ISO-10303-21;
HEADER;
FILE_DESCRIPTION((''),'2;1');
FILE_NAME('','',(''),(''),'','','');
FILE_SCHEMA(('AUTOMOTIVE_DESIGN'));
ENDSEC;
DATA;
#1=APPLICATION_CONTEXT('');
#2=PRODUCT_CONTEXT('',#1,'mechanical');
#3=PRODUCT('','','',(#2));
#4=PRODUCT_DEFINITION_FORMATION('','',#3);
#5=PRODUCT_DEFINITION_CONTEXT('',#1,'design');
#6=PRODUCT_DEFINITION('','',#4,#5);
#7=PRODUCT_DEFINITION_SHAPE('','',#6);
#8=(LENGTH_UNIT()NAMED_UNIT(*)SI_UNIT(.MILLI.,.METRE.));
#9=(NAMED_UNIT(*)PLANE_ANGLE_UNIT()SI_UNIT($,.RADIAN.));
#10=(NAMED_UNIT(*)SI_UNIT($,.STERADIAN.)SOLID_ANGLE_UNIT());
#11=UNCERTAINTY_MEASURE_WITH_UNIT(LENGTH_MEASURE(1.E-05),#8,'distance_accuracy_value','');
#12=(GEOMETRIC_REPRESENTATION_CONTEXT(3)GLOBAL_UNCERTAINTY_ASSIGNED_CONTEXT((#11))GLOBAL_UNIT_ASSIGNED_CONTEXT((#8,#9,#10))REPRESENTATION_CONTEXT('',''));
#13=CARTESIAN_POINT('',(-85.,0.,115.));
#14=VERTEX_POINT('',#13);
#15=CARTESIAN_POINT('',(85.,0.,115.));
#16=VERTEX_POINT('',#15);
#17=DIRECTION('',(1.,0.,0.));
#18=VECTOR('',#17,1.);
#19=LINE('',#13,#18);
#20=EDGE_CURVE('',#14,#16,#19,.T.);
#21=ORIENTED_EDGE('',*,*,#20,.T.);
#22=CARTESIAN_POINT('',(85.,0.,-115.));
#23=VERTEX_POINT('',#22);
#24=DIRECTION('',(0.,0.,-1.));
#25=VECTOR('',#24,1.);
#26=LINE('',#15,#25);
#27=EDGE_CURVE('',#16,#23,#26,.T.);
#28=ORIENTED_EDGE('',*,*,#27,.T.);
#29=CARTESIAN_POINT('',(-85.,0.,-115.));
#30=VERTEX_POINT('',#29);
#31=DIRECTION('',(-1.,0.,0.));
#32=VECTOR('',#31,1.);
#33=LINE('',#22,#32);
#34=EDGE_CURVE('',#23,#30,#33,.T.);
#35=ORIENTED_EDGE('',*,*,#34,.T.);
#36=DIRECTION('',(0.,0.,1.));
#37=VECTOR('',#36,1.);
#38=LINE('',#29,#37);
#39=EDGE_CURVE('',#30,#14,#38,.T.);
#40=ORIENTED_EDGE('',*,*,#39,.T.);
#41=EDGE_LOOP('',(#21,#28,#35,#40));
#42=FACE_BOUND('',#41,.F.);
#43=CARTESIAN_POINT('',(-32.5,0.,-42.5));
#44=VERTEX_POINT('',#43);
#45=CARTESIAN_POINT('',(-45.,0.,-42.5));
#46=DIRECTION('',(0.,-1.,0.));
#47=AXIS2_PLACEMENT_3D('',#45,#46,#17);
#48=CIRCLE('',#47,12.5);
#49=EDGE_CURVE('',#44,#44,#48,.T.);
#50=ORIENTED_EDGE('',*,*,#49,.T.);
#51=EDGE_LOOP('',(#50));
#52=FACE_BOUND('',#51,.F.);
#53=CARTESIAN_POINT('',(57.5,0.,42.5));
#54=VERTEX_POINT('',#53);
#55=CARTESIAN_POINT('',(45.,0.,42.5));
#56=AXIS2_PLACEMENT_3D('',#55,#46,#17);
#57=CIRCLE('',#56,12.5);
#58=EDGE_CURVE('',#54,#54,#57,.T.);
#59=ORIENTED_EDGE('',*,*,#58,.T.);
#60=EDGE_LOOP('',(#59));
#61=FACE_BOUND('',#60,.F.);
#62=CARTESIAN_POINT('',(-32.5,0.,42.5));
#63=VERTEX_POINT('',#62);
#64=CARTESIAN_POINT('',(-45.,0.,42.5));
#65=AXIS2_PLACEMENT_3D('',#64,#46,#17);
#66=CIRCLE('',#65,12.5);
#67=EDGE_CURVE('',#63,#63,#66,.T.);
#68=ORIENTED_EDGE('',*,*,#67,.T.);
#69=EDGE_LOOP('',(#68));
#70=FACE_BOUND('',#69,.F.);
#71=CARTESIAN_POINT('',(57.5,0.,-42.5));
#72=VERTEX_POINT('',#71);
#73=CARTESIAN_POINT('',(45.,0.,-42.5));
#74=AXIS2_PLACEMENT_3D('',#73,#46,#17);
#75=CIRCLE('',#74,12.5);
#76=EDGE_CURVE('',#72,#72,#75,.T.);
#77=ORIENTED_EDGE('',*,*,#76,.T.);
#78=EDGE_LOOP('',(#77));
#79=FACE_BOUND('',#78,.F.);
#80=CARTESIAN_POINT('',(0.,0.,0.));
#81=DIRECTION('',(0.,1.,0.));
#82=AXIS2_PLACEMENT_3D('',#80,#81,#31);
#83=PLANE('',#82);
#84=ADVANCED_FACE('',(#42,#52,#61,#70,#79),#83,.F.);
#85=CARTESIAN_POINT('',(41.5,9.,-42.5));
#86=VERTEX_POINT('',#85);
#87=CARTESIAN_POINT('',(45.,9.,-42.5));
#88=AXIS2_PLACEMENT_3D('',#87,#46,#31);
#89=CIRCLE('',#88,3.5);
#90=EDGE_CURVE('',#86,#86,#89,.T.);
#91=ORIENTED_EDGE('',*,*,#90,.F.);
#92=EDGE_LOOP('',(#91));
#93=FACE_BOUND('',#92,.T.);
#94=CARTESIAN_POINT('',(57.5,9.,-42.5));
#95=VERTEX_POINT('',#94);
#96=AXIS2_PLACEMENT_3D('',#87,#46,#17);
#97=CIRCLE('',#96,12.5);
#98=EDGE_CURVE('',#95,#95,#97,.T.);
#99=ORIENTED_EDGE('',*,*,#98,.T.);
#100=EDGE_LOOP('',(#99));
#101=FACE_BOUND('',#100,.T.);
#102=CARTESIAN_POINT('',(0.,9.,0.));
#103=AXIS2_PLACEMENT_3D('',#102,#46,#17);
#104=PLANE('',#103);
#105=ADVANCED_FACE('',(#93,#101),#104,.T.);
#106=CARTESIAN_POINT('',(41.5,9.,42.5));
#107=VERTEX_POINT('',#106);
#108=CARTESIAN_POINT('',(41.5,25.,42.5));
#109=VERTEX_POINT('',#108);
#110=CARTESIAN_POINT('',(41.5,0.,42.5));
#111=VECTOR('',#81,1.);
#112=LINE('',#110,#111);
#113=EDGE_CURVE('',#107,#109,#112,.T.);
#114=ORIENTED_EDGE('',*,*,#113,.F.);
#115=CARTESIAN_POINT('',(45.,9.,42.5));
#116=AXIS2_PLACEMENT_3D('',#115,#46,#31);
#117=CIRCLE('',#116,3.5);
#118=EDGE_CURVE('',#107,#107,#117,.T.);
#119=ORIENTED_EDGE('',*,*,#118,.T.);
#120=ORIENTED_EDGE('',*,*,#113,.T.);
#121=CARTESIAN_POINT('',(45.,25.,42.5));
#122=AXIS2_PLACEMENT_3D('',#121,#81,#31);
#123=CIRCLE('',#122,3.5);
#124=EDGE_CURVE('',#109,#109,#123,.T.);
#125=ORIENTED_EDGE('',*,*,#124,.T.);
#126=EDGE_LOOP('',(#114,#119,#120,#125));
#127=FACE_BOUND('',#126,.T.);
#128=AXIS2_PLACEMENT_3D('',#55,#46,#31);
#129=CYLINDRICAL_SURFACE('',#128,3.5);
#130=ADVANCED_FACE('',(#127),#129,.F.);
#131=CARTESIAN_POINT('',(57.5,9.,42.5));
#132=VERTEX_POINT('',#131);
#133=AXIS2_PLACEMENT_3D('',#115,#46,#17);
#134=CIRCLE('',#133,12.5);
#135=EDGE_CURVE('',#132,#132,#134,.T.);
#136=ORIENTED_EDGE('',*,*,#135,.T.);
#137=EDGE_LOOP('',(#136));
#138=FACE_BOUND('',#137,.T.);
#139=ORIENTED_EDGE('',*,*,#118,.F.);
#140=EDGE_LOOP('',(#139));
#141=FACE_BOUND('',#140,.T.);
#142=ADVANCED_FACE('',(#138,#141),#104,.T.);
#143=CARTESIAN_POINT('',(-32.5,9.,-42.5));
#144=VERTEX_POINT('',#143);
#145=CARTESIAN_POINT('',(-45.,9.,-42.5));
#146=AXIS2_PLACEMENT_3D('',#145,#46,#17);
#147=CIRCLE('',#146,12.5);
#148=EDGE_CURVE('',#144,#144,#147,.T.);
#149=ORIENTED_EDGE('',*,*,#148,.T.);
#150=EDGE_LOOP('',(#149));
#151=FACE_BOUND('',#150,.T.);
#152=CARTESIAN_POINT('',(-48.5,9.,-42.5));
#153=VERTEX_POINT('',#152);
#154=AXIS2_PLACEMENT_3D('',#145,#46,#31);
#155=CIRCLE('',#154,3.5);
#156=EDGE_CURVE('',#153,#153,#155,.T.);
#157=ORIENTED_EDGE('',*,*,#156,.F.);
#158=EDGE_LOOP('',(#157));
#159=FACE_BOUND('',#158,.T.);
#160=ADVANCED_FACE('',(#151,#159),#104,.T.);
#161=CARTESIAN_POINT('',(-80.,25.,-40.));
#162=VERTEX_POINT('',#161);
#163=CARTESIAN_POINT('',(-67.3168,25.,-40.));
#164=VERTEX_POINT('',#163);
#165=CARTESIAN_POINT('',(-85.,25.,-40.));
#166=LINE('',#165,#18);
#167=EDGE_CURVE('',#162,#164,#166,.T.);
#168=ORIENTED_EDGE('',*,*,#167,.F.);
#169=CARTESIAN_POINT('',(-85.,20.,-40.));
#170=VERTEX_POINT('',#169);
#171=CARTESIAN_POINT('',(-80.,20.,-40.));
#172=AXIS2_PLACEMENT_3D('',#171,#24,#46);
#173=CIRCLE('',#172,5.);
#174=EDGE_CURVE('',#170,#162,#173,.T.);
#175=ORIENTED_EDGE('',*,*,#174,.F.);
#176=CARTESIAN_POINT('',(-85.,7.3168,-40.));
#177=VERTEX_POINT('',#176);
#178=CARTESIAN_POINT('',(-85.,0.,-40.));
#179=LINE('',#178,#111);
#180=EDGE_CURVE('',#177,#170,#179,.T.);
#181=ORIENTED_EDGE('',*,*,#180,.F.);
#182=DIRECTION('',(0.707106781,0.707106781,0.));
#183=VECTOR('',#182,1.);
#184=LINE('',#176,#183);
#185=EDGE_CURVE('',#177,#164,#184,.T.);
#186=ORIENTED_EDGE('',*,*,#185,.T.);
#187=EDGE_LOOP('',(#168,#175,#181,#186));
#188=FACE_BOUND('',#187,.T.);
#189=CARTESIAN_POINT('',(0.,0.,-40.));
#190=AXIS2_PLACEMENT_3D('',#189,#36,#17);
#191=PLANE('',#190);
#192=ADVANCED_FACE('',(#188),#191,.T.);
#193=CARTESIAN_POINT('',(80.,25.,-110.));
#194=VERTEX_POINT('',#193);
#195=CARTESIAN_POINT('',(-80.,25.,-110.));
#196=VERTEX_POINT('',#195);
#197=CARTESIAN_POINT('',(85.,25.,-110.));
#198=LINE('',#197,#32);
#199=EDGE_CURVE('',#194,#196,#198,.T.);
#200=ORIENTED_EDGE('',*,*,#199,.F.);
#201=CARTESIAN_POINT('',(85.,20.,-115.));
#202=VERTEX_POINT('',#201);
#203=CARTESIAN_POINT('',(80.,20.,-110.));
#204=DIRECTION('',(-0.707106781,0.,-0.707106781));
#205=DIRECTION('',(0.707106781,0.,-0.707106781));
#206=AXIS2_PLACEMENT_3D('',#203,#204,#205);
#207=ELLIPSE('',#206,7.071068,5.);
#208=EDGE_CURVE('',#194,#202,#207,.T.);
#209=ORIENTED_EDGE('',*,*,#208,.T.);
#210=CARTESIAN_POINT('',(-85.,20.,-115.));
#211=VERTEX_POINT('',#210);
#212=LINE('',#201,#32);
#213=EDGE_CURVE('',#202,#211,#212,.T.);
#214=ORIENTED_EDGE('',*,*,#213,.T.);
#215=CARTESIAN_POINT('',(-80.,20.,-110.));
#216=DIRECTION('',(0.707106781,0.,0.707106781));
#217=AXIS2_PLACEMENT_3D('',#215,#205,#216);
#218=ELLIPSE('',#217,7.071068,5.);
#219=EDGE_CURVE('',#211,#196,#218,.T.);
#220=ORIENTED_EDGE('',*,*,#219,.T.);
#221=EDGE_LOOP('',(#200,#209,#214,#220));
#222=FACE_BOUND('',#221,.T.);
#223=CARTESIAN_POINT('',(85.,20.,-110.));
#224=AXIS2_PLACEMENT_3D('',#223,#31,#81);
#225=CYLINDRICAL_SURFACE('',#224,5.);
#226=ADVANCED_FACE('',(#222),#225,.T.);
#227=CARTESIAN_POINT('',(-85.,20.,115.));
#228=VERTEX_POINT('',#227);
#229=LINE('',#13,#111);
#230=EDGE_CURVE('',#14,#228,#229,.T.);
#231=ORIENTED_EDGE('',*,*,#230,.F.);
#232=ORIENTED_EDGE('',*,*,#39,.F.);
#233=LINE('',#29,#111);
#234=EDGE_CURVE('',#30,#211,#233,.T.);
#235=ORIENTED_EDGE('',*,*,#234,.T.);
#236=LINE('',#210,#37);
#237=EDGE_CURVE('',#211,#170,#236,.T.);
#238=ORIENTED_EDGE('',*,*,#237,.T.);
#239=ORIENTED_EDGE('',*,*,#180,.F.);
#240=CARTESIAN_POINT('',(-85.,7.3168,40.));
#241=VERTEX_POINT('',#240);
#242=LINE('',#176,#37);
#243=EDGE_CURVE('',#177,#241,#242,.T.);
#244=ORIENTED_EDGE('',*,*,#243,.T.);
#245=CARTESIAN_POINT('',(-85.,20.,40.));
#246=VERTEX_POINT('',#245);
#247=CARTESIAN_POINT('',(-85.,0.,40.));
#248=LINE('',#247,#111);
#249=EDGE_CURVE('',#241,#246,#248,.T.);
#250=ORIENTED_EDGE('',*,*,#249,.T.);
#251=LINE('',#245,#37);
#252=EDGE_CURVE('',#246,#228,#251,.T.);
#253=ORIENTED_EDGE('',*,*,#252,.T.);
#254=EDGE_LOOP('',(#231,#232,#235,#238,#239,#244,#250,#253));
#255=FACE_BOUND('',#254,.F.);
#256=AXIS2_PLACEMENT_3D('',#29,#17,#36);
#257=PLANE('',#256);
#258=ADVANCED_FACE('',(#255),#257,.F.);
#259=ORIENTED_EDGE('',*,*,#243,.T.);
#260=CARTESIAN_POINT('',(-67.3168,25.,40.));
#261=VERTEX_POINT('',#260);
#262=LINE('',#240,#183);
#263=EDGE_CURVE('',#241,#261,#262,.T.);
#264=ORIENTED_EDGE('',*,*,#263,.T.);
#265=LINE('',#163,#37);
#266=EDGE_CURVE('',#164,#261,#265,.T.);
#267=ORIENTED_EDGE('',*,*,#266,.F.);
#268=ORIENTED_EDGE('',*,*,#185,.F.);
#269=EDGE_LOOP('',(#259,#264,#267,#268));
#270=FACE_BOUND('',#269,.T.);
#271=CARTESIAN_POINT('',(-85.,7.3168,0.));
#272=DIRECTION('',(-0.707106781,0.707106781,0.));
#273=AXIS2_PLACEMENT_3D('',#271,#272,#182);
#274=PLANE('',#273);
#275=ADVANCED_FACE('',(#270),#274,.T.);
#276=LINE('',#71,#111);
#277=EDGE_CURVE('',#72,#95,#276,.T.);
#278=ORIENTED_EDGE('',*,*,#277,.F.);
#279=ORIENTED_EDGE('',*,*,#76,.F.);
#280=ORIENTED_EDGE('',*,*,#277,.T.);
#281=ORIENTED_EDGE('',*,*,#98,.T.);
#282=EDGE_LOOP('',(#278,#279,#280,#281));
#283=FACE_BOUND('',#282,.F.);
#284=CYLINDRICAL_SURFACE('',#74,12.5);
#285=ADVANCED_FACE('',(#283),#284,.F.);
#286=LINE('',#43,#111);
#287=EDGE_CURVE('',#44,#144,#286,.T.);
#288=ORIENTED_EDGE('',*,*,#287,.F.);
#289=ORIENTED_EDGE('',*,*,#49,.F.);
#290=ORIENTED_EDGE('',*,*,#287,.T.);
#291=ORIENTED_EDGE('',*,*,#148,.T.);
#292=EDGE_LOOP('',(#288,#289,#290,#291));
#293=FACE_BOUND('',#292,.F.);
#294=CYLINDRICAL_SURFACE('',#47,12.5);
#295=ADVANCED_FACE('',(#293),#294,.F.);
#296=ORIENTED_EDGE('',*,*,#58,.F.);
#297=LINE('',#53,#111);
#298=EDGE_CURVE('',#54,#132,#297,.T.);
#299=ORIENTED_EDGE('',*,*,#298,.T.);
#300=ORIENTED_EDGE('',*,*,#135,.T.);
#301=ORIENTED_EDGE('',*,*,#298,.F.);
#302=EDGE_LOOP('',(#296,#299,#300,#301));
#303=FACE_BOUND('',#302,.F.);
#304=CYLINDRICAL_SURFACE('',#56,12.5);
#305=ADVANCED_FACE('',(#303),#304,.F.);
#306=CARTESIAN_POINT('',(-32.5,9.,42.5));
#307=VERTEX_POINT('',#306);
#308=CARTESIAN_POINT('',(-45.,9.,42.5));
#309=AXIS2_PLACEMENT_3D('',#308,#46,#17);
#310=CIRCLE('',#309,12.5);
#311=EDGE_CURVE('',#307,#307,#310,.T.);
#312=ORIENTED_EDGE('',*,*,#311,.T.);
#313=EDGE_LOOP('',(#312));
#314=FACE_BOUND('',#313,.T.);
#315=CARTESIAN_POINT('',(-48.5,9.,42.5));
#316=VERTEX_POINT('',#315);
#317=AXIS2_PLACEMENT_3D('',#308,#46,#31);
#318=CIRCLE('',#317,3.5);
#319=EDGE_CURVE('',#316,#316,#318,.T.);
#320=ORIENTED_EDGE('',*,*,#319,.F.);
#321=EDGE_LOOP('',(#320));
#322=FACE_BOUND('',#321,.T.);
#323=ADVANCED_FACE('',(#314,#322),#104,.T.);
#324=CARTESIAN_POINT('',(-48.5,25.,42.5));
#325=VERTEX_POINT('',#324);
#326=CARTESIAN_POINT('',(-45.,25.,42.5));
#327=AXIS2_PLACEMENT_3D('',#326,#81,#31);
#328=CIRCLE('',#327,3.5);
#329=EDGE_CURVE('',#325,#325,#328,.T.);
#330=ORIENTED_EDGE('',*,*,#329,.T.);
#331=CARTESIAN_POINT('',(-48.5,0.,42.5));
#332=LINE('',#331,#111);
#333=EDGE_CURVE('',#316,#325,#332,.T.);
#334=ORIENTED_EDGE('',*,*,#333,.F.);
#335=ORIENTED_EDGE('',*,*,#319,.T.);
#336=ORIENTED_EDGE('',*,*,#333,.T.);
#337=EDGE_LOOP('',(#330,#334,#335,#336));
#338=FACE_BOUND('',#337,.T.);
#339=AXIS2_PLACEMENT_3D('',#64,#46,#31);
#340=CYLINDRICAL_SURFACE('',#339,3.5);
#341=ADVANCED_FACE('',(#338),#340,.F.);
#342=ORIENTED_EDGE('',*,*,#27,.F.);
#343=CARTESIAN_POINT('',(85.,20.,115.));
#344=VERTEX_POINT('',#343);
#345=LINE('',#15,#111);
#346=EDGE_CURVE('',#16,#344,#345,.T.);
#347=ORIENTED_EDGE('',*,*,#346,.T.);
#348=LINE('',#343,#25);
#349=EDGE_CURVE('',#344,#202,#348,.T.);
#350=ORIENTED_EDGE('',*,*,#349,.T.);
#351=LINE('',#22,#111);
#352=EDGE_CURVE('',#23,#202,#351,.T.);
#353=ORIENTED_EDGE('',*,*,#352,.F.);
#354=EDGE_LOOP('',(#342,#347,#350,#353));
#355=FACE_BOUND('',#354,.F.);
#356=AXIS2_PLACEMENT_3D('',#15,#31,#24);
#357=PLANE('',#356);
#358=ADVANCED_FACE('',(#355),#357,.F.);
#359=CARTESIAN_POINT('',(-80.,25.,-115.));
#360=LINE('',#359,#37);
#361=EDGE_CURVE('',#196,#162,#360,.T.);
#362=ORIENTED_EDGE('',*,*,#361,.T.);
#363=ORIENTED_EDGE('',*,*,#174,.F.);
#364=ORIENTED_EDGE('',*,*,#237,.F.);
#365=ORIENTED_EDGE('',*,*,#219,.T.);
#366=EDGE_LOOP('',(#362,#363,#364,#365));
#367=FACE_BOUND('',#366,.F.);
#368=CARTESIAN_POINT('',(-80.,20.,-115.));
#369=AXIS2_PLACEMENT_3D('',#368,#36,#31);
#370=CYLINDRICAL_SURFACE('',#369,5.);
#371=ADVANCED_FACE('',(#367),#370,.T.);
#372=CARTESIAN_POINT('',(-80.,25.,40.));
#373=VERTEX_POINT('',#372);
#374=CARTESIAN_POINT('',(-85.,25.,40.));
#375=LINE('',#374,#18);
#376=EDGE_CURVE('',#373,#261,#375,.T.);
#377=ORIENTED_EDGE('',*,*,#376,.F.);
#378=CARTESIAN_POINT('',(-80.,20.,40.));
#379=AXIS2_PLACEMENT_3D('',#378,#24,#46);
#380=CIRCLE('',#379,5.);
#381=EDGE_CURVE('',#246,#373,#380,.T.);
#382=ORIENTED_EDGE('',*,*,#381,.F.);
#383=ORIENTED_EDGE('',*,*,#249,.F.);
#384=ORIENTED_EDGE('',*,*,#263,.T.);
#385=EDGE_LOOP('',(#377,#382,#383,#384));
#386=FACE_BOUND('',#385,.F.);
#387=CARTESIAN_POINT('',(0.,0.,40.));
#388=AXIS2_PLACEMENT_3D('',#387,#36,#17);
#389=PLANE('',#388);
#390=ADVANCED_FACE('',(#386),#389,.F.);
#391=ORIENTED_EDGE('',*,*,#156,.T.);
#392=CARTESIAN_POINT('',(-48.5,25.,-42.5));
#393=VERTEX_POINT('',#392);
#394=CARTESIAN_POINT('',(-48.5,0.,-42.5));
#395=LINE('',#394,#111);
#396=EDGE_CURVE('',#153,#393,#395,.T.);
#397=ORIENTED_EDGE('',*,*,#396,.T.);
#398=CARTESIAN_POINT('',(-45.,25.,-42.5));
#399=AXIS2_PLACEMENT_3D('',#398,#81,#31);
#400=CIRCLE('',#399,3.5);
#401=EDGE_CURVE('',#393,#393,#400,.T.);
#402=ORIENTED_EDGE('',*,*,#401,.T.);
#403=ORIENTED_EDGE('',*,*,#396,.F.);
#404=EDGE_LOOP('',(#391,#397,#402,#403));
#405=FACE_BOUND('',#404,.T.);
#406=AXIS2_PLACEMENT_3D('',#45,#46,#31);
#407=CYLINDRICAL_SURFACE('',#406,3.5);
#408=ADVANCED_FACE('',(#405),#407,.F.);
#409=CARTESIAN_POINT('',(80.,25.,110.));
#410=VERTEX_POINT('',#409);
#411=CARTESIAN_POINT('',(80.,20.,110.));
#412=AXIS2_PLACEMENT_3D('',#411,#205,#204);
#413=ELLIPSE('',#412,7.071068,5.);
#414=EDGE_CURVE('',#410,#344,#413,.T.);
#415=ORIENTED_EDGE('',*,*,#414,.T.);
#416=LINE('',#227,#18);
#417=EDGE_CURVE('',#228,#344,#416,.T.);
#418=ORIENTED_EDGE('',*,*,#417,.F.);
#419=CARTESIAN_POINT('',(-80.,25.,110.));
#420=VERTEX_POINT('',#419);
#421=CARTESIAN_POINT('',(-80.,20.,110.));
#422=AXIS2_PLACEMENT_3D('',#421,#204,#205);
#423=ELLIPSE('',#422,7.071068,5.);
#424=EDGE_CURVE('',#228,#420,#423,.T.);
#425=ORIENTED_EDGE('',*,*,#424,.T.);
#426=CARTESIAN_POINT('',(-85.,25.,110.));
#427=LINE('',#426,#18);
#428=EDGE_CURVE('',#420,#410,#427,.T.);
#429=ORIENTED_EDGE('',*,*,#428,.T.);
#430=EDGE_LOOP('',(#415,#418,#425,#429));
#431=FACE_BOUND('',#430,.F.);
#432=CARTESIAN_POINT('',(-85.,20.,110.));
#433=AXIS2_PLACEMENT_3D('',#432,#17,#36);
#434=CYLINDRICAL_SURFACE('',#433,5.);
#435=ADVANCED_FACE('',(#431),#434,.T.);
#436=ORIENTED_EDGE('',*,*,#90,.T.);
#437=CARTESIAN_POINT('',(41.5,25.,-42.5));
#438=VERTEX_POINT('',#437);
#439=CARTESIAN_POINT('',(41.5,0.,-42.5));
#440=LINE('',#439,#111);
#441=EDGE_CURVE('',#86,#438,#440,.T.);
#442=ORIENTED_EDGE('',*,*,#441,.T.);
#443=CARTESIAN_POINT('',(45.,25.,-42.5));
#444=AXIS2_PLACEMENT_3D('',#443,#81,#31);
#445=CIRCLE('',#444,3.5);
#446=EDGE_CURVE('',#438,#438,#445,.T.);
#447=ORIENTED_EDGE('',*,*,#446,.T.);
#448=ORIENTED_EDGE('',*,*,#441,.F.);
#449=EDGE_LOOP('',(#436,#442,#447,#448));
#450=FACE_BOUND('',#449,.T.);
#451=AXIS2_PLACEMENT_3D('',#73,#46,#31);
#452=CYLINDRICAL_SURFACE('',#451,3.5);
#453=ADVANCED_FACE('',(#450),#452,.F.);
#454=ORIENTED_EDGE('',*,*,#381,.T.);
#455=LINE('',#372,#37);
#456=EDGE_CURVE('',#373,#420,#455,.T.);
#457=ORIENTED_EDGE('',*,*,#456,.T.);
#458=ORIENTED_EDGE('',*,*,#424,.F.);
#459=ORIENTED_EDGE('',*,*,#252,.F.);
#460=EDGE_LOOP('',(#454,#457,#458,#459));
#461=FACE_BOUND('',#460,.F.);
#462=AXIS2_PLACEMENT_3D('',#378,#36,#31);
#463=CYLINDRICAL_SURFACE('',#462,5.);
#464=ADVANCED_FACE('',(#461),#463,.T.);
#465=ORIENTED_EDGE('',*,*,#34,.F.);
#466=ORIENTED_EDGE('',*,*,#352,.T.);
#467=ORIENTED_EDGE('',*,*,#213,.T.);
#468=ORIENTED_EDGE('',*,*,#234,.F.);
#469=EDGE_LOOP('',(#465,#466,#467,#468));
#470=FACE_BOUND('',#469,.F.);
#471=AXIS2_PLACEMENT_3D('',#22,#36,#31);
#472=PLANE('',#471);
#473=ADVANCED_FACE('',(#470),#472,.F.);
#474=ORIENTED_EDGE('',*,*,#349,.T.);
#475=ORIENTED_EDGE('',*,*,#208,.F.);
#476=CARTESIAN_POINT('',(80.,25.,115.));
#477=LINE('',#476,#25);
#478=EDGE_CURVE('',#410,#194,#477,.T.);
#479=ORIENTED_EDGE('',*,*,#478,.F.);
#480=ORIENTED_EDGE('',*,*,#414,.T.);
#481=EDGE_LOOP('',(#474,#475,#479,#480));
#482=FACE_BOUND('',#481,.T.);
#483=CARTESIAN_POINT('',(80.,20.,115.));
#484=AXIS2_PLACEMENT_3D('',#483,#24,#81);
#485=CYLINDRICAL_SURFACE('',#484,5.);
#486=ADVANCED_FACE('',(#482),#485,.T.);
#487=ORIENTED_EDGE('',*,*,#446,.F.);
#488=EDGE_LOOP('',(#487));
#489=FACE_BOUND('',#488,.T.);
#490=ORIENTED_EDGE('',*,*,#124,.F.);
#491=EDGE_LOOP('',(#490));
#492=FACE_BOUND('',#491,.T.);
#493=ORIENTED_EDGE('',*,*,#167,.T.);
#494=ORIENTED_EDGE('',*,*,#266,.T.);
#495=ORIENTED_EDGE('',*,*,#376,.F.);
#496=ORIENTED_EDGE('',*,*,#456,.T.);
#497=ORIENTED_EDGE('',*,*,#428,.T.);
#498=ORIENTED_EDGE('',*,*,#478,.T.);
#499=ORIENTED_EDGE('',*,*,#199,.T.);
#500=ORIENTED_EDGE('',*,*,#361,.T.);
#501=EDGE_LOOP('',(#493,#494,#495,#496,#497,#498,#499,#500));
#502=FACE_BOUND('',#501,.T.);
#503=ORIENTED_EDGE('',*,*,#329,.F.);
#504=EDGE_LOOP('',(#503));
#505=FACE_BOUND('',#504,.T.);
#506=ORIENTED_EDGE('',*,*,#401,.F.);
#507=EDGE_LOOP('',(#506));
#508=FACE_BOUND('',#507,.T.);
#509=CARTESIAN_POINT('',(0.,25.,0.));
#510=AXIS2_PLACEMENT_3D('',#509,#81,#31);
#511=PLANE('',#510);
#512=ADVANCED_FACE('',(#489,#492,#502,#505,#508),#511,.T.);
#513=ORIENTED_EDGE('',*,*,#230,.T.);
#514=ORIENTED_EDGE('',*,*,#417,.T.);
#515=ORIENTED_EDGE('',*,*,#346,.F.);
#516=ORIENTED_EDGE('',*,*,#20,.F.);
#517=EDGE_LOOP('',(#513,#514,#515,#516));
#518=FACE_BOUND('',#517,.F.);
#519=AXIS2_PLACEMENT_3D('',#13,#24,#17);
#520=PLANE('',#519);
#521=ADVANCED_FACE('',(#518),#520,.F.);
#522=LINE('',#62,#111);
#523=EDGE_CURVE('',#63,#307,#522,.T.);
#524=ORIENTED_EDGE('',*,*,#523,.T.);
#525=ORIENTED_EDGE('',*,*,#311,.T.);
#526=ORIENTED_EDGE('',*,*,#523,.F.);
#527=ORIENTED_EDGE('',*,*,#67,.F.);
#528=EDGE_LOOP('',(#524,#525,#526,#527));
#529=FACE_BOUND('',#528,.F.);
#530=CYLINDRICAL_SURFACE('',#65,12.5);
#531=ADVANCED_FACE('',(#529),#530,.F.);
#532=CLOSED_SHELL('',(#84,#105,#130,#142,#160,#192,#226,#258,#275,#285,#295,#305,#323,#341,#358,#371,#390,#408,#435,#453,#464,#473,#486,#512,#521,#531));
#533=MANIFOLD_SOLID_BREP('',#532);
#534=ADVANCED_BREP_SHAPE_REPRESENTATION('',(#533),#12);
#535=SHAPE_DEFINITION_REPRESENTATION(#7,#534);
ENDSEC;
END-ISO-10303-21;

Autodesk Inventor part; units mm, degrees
ref_plane "YZ Plane" through (0, 0, 0) normal (1, 0, 0) x (0, 1, 0)
ref_plane "XZ Plane" through (0, 0, 0) normal (0, 1, 0) x (-1, 0, 0)
ref_plane "XY Plane" through (0, 0, 0) normal (0, 0, 1) x (1, 0, 0)
sketch "Sketch1" plane through (0, 0, 0) normal (0, 1, 0) x (-1, 0, 0)
  line L0 (85, 115) -> (-85, 115)
  line L1 (-85, 115) -> (-85, -115)
  line L2 (-85, -115) -> (85, -115)
  line L3 (85, -115) -> (85, 115)
  line L4 (85, 115) -> (-85, -115) construction
  line L5 (-85, 115) -> (85, -115) construction
  line L6 (-85, 115) -> (-85, 42.5) construction
  line L7 (-85, 42.5) -> (-85, -42.5) construction
  line L8 (-85, 42.5) -> (-45, 42.5) construction
  line L9 (-45, 42.5) -> (45, 42.5) construction
  line L10 (45, 42.5) -> (45, -42.5) construction
  line L11 (-85, -42.5) -> (-45, -42.5) construction
  line L12 (-45, -42.5) -> (45, -42.5) construction
  circle A0 centre (-45, 42.5) radius 3.5
  circle A1 centre (45, 42.5) radius 3.5
  circle A2 centre (45, -42.5) radius 3.5
  line L13 (-45, 42.5) -> (-45, -42.5) construction
  circle A3 centre (-45, -42.5) radius 3.5
  point P0 (0, 0)
  dimension "d3" = 85
  dimension "d7" = 7
  dimension "d8" = 7
extrude "Extrusion1" add sketch "Sketch1" along normal blind 25
sketch "Sketch2" plane through (0, 0, 0) normal (0, -1, 0) x (1, 0, 0)
  circle A0 centre (-45, -42.5) radius 3.5 projected
  circle A1 centre (-45, -42.5) radius 12.5
  circle A2 centre (-45, 42.5) radius 3.5 projected
  circle A3 centre (-45, 42.5) radius 12.5
  circle A4 centre (45, 42.5) radius 3.5 projected
  circle A5 centre (45, 42.5) radius 12.5
  circle A6 centre (45, -42.5) radius 3.5 projected
  circle A7 centre (45, -42.5) radius 12.5
  point P0 (0, 0)
extrude "Extrusion2" cut sketch "Sketch2" against normal blind 9
sketch "Sketch3" plane through (-85, 0, 115) normal (0, 0, 1) x (1, 0, 0)
  point P0 (85, 0)
sketch "Sketch4" plane through (0, 0, 0) normal (0, 0, 1) x (1, 0, 0)
  line L0 (-85, 0) -> (-85, 25) projected
  line L1 (-85, 7.3168) -> (-67.3168, 25)
  line L2 (-85, 25) -> (85, 25) projected
  line L3 (-85, 7.3168) -> (-59.9922, 7.3168) construction
  point P0 (0, 0)
  dimension "d15" = 45
extrude "Extrusion3" cut sketch "Sketch4" along normal mid plane 80
fillet "Fillet1" radius 5 5 edges at (85, 25, 0) (0, 25, 115) (-85, 25, 77.5) (-85, 25, -77.5) (0, 25, -115)
properties part number "Base"
